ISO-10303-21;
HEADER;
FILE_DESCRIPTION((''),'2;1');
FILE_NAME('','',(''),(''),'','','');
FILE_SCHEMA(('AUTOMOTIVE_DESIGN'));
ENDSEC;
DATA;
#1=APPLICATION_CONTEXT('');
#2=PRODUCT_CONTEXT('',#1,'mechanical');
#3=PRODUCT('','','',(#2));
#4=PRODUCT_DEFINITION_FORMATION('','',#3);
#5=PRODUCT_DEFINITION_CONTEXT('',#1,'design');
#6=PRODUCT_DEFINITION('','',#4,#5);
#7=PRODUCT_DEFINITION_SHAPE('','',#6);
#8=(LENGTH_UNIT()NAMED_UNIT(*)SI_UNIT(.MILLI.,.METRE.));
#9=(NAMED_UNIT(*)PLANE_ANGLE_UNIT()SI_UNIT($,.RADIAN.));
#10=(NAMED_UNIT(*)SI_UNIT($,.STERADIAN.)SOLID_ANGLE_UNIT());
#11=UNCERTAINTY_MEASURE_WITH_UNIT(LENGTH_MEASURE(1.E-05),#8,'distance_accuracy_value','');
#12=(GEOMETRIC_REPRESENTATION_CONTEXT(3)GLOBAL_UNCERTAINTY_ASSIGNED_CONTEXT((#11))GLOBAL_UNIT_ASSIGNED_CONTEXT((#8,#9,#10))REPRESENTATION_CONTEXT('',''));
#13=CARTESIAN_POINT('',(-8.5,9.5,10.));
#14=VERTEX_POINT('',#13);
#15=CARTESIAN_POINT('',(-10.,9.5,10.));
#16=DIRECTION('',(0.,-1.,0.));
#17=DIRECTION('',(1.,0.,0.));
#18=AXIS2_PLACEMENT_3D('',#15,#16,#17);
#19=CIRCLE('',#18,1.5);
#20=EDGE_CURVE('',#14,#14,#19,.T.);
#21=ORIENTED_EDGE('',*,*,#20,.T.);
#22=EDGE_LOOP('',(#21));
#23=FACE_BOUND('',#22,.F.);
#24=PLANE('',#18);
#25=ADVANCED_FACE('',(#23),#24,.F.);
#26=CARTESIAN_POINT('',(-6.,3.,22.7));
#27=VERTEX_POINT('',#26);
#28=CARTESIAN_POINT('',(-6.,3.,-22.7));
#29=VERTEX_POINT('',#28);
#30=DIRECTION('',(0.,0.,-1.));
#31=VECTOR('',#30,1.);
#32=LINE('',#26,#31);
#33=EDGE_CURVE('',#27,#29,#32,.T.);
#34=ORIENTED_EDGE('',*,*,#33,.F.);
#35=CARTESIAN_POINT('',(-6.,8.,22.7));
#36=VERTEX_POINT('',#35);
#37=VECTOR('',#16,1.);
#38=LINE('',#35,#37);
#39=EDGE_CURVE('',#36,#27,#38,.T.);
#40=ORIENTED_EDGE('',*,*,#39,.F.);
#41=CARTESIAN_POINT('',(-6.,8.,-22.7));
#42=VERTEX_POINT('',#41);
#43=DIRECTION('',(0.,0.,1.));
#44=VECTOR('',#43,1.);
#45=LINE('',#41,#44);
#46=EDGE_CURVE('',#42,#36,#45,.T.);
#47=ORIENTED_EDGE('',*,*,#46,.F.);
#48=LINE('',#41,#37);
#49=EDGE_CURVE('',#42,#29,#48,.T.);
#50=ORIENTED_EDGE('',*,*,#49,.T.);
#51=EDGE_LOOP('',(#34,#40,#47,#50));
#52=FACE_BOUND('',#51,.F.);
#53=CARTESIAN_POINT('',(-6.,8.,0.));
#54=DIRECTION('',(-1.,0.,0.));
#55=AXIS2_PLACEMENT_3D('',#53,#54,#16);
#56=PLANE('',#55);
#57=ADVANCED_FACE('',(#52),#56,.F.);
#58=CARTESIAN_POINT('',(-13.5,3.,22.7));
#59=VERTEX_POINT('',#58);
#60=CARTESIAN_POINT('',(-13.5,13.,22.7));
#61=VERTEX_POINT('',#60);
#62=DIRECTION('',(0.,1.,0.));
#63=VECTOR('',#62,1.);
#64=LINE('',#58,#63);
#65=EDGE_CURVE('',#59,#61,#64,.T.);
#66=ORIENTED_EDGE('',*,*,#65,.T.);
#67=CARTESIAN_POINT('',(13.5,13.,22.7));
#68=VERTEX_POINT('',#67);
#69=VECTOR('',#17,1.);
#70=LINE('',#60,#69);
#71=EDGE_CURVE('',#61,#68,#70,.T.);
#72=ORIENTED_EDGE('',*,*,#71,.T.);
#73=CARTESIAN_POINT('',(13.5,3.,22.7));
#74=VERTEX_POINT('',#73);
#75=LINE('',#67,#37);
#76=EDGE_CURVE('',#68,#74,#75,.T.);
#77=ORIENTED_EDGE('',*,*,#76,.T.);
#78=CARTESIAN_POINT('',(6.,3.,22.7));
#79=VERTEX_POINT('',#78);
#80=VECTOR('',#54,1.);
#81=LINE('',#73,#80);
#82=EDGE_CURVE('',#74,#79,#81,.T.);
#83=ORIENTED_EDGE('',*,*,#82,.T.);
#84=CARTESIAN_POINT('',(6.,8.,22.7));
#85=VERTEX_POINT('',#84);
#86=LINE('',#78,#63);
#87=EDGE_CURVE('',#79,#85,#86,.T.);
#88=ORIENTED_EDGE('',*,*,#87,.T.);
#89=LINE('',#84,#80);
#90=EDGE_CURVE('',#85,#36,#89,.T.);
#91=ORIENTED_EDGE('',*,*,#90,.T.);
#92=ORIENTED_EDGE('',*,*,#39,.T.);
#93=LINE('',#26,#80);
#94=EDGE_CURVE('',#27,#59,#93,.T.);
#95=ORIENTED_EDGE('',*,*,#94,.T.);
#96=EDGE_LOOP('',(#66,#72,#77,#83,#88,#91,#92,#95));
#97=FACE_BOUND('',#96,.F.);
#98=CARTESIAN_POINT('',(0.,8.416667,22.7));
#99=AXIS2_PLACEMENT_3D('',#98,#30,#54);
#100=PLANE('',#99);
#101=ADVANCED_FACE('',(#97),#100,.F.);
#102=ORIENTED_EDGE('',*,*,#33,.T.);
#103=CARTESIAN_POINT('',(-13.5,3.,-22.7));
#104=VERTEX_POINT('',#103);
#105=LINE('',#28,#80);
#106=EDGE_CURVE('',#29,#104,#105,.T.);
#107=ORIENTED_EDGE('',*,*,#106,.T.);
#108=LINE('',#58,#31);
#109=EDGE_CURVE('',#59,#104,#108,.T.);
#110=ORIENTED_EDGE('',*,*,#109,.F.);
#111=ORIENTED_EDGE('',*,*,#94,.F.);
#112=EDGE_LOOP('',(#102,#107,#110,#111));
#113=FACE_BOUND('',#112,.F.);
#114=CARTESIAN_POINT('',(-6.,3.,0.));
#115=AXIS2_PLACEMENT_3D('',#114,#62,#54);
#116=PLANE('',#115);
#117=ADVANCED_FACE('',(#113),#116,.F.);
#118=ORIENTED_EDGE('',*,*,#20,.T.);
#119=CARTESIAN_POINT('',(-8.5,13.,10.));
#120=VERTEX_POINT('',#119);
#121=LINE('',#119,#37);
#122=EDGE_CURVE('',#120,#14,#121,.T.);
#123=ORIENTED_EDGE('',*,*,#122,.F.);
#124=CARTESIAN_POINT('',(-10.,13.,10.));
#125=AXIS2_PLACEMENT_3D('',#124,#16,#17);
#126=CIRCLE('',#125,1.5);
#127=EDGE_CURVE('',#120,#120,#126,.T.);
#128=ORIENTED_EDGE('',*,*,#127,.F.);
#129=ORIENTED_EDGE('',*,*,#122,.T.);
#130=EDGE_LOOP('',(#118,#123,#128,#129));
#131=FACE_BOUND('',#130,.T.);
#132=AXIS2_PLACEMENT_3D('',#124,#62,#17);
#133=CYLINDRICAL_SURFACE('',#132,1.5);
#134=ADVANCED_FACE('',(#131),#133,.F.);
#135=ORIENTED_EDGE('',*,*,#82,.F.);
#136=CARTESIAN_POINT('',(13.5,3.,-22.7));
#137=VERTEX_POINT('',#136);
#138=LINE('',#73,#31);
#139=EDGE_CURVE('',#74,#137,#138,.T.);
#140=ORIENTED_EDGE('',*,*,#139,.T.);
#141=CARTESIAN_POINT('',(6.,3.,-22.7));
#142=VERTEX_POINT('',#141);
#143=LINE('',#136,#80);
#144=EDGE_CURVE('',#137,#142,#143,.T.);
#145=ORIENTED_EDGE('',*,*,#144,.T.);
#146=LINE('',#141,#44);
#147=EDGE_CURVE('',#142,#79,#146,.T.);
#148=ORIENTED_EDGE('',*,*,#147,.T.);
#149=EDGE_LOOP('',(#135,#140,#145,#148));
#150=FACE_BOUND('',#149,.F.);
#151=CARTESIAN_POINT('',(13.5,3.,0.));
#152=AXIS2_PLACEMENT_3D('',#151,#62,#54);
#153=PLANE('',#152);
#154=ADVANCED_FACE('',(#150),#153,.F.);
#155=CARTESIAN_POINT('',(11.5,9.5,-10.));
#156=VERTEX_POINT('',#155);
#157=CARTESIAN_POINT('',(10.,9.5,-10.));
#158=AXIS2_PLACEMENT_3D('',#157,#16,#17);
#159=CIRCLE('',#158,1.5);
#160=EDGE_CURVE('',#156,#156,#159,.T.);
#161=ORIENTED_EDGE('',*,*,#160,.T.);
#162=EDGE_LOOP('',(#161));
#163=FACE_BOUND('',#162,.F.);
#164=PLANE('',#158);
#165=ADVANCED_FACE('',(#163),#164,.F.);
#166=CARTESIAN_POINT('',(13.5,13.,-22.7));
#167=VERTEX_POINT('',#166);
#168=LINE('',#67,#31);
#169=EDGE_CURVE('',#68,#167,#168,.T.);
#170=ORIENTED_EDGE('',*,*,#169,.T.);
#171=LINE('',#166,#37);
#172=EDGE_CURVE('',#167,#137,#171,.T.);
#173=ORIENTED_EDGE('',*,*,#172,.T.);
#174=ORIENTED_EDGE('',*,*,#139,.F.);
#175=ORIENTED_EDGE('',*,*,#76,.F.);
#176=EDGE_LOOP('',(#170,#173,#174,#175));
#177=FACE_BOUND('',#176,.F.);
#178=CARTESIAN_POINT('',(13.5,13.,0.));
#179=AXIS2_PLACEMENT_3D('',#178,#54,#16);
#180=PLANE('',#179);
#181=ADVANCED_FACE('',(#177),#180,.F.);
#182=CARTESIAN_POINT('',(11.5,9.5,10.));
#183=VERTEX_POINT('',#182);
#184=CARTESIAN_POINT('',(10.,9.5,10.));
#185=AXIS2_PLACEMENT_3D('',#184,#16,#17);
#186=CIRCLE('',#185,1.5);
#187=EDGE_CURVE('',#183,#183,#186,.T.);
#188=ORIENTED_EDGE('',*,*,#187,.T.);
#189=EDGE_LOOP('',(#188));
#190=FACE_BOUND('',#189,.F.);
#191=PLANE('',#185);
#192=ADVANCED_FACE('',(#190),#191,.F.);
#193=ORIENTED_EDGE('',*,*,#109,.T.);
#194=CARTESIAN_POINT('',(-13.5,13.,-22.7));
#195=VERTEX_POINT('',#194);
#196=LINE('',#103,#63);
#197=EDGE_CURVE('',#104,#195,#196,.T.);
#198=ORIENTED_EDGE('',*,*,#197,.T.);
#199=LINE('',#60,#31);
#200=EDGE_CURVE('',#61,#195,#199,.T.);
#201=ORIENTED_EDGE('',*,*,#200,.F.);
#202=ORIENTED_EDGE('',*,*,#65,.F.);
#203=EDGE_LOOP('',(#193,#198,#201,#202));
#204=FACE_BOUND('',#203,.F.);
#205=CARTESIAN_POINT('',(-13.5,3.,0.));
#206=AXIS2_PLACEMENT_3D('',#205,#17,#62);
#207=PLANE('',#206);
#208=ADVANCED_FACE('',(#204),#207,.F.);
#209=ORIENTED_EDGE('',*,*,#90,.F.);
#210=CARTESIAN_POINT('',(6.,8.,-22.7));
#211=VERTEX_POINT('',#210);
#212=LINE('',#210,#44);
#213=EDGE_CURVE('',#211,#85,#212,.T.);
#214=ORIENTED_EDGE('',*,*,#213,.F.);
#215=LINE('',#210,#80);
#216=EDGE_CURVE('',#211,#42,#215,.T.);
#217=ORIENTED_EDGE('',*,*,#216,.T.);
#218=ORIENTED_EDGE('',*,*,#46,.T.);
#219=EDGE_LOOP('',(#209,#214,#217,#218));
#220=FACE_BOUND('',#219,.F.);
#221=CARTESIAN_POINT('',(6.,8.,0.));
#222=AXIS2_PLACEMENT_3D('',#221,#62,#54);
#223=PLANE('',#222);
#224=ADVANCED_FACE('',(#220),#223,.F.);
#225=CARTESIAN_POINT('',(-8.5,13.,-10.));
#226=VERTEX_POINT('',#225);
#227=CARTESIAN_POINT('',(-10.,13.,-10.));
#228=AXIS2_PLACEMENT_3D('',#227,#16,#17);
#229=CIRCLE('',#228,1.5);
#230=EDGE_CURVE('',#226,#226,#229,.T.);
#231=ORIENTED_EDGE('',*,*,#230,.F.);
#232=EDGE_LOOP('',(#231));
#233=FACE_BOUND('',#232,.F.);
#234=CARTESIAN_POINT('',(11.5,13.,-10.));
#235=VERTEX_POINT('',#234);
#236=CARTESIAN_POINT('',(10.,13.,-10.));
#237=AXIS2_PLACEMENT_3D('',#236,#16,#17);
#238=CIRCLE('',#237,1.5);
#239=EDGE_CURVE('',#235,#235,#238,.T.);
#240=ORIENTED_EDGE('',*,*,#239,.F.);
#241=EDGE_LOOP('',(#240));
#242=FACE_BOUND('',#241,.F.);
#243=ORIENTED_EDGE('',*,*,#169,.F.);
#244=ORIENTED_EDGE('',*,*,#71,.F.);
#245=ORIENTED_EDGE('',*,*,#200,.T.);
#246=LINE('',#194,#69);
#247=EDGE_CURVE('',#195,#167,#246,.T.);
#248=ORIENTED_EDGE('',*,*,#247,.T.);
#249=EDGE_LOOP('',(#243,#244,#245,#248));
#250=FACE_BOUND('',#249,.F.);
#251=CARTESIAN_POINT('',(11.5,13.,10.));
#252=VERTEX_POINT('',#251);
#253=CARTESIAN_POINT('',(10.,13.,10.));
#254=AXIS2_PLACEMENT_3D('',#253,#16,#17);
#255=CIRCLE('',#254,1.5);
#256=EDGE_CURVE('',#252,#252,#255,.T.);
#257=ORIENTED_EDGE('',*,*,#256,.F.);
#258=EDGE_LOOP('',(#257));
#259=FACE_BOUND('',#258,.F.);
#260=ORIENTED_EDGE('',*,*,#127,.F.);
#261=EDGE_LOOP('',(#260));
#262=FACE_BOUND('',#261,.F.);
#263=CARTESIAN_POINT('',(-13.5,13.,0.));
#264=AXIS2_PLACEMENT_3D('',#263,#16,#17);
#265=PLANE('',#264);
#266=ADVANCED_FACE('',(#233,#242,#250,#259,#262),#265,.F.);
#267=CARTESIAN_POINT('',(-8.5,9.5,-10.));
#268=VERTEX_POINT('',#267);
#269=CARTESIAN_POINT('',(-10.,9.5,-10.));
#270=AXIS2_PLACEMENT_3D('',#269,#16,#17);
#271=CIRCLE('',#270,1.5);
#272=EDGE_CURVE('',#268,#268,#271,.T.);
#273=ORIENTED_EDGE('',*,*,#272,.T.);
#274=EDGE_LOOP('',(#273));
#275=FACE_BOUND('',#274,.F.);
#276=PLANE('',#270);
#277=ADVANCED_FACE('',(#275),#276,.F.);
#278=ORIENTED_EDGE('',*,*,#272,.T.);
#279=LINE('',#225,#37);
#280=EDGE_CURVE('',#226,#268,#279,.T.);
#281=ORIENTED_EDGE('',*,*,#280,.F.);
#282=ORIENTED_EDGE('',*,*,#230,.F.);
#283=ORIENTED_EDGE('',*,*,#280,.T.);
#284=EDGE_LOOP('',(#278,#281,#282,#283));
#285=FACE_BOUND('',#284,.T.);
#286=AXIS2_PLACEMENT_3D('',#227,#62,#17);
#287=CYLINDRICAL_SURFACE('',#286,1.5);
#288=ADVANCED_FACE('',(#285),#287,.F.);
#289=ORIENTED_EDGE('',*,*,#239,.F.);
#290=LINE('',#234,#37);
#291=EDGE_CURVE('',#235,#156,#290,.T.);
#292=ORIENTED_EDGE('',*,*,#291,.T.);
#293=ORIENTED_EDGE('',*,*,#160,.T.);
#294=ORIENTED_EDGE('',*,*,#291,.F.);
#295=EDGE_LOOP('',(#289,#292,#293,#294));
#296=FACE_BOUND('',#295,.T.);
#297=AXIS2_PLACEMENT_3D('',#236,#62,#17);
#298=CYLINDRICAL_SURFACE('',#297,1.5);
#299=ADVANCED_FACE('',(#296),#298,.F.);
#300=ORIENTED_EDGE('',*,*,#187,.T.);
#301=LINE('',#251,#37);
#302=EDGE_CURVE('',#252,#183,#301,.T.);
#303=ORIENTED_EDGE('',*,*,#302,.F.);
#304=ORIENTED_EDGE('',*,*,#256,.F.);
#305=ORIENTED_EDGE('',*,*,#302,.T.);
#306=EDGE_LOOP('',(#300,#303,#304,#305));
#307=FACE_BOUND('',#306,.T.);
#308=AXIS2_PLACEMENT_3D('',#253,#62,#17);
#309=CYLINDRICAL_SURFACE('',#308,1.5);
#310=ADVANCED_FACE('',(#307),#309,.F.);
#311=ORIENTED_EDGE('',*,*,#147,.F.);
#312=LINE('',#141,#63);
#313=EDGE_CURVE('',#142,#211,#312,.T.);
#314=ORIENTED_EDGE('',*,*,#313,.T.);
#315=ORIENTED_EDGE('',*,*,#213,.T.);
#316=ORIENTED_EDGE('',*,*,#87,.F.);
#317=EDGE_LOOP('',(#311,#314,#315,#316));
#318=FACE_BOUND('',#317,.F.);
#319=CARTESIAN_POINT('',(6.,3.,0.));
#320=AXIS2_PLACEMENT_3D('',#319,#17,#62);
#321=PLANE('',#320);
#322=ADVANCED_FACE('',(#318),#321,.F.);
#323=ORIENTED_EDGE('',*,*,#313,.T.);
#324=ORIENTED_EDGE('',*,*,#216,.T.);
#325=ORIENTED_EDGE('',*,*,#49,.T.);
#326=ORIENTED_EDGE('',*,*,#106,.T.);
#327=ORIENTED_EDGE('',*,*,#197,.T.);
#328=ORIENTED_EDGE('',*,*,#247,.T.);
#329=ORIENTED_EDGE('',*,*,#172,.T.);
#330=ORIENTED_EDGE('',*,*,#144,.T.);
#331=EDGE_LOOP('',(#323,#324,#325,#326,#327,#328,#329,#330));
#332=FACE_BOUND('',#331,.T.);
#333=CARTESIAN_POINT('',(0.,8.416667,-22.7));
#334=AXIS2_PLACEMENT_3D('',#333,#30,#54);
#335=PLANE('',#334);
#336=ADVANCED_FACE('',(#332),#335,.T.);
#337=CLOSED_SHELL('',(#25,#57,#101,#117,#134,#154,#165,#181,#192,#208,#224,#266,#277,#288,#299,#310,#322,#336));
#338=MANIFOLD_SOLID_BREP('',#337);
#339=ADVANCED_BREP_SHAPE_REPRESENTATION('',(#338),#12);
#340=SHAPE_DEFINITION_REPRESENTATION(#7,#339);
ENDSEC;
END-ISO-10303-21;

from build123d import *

# Parameters (mm, degrees)
PAD_DEPTH    = 22.7
SKETCH001_R  = 1.5
POCKET_DEPTH = 3.5


with BuildPart() as part:
    # Sketch → Pad (new body, symmetric)
    with BuildSketch(Plane.XY):
        Polygon((-6, 8), (-6, 3), (-13.5, 3), (-13.5, 13), (13.5, 13), (13.5, 3), (6, 3), (6, 8), align=None)
    extrude(amount=PAD_DEPTH, both=True)

    # Sketch001 → Pocket (cut)
    with BuildSketch(Plane.XZ.offset(-13)):
        with Locations((-10, 10)):
            Circle(SKETCH001_R)
        with Locations((10, 10)):
            Circle(SKETCH001_R)
        with Locations((10, -10)):
            Circle(SKETCH001_R)
        with Locations((-10, -10)):
            Circle(SKETCH001_R)
    extrude(amount=POCKET_DEPTH, mode=Mode.SUBTRACT)


solid = part.part
